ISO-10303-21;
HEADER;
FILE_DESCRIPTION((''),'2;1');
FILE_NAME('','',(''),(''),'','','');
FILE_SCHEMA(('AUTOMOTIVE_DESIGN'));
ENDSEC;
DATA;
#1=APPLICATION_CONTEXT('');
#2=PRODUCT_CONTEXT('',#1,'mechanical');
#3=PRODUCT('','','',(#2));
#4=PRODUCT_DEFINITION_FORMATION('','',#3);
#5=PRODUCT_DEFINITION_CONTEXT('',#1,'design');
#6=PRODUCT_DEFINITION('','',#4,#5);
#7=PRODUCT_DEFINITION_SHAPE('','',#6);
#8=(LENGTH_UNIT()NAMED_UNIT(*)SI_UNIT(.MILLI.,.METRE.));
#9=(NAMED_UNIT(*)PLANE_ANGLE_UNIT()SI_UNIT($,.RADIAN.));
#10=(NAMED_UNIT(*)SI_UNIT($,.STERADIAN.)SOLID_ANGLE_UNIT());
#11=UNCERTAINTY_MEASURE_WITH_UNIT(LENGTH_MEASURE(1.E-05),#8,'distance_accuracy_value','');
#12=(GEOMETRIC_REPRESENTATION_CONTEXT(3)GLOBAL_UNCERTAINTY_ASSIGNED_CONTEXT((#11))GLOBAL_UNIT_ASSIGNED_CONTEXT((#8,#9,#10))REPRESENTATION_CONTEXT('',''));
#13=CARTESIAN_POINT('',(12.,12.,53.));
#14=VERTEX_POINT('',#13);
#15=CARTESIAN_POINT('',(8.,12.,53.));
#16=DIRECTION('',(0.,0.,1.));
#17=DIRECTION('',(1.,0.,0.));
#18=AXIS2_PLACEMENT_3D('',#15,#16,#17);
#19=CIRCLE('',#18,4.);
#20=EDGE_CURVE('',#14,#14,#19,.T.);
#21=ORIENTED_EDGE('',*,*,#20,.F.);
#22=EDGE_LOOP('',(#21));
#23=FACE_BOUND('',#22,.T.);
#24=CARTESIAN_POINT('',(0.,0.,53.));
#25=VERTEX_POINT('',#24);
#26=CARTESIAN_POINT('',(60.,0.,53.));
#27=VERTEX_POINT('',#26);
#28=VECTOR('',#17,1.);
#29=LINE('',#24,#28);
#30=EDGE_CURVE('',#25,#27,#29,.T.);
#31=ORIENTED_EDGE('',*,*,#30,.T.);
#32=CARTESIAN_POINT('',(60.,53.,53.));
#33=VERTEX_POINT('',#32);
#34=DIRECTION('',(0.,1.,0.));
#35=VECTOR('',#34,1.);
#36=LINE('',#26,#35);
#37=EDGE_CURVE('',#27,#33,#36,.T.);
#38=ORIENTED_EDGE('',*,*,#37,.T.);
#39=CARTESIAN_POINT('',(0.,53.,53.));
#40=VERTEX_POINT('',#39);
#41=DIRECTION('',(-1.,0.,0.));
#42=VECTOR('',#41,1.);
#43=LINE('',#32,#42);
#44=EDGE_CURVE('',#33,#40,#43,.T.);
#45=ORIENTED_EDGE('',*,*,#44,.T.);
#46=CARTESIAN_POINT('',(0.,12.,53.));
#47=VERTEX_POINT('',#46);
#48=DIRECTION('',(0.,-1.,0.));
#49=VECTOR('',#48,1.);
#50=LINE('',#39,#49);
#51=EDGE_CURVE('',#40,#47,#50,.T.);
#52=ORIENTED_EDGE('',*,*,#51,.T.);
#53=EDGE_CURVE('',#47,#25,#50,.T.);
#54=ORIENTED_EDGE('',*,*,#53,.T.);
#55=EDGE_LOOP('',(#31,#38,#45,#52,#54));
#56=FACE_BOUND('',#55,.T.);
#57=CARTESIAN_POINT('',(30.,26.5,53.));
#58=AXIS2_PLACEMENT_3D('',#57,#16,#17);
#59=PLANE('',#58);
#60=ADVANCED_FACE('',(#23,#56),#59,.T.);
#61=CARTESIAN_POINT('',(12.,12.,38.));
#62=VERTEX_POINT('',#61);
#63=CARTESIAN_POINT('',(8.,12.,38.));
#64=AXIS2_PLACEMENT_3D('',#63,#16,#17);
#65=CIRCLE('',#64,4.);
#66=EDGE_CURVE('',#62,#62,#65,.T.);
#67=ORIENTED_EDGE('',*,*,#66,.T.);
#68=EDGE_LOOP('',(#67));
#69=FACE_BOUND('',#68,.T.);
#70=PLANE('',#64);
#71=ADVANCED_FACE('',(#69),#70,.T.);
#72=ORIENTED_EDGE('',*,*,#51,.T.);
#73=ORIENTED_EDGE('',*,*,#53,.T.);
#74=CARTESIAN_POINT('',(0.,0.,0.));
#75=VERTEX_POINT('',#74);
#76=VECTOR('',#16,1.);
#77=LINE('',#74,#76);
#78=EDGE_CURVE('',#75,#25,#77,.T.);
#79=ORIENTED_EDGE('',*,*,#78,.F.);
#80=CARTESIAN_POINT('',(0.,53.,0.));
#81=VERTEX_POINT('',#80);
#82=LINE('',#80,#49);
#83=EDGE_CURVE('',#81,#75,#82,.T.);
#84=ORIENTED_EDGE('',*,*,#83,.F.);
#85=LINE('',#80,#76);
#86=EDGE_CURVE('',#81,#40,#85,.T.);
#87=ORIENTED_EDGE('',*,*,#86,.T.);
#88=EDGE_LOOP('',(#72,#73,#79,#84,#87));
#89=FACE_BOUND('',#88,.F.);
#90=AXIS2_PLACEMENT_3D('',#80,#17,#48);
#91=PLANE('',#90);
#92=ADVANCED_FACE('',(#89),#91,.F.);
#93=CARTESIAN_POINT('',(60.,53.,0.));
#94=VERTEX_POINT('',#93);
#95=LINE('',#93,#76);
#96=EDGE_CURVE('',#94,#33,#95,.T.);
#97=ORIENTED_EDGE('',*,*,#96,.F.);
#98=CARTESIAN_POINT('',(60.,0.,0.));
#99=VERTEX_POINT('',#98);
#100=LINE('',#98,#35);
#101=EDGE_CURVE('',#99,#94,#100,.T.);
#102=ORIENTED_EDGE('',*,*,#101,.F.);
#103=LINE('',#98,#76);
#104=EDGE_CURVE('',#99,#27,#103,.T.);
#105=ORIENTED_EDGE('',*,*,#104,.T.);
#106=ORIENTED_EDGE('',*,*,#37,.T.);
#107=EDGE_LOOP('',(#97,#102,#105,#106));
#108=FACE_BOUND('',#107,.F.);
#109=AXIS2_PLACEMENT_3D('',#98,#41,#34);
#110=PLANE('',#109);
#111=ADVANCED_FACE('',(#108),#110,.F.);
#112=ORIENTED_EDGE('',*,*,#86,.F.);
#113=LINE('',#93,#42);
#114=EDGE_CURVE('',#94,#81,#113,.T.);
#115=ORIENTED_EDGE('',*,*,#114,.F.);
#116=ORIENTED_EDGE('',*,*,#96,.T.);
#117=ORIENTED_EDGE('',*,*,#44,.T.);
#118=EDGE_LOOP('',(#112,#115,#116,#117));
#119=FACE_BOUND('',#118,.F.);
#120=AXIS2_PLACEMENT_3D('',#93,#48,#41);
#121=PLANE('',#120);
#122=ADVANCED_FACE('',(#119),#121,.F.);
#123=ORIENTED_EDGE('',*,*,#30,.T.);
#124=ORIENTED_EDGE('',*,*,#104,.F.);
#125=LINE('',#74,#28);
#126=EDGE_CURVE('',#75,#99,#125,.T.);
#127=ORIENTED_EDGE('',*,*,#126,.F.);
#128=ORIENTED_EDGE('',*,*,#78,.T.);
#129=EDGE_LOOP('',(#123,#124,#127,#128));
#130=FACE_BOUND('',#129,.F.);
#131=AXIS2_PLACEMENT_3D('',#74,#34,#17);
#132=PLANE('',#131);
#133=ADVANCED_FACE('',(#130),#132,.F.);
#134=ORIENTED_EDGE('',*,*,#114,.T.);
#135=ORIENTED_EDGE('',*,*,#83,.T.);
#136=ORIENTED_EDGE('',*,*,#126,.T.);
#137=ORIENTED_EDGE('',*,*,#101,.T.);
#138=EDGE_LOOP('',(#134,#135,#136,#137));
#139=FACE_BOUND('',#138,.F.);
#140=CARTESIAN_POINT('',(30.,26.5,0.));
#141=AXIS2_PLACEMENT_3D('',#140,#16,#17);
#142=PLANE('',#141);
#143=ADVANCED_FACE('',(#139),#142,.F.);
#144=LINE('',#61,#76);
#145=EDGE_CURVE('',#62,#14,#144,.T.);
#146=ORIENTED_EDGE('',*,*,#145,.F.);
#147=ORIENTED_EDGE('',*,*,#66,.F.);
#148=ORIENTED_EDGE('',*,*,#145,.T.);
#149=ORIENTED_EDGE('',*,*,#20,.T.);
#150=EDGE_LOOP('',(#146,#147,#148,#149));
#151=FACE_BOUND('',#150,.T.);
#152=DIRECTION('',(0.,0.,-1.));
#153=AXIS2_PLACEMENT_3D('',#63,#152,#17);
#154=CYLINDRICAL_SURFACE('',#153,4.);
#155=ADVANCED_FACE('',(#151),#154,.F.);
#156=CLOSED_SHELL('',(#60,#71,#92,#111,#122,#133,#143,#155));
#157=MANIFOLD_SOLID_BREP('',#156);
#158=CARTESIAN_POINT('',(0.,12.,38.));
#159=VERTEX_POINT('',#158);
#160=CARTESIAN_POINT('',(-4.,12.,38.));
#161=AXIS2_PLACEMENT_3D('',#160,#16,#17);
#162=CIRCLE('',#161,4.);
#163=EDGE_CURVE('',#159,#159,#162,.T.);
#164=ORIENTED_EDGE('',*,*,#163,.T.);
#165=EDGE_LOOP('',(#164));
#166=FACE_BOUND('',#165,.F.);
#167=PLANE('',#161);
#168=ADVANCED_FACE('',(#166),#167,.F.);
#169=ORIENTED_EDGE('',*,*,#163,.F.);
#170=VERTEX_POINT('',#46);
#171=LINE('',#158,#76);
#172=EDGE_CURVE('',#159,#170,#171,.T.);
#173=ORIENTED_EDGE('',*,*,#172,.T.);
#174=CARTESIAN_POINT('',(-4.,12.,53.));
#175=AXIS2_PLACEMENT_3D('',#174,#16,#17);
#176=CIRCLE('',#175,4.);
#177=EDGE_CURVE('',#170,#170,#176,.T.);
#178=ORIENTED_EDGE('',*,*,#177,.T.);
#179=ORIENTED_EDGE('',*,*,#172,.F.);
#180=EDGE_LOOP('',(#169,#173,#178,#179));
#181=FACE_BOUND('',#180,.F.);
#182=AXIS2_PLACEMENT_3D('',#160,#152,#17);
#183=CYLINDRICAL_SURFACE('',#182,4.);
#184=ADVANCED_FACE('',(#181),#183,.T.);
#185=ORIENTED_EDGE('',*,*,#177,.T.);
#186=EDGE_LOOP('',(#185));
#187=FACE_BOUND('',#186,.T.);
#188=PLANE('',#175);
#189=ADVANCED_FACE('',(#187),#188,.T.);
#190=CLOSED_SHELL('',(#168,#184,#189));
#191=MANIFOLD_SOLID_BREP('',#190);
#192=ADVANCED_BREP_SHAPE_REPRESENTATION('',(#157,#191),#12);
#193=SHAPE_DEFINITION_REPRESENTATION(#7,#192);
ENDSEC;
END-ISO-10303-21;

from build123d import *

# Parameters (mm, degrees)
F0_R     = 4
F1_DEPTH = 53
F3_START = 38
F3_DEPTH = 15
F4_START = 38
F4_DEPTH = 15


with BuildPart() as f1:
    # F0 (on Top) → F1 (new body)
    with BuildSketch(Plane.XY):
        Polygon((0, 12), (0, 0), (60, 0), (60, 53), (0, 53), align=None)
        with Locations((8, 12)):
            Circle(F0_R, mode=Mode.SUBTRACT)
        with Locations((8, 12)):
            Circle(F0_R)
    extrude(amount=F1_DEPTH)

    # F0 (on Top) → F3 (cut)
    with BuildSketch(Plane.XY.offset(F3_START)):
        with Locations((8, 12)):
            Circle(F0_R)
        with Locations((-4, 12)):
            Circle(F0_R)
    extrude(amount=F3_DEPTH, mode=Mode.SUBTRACT)


with BuildPart() as f4:
    # F0 (on Top) → F4 (new body)
    with BuildSketch(Plane.XY.offset(F4_START)):
        with Locations((-4, 12)):
            Circle(F0_R)
    extrude(amount=F4_DEPTH)


solid = Compound([f1.part, f4.part])
